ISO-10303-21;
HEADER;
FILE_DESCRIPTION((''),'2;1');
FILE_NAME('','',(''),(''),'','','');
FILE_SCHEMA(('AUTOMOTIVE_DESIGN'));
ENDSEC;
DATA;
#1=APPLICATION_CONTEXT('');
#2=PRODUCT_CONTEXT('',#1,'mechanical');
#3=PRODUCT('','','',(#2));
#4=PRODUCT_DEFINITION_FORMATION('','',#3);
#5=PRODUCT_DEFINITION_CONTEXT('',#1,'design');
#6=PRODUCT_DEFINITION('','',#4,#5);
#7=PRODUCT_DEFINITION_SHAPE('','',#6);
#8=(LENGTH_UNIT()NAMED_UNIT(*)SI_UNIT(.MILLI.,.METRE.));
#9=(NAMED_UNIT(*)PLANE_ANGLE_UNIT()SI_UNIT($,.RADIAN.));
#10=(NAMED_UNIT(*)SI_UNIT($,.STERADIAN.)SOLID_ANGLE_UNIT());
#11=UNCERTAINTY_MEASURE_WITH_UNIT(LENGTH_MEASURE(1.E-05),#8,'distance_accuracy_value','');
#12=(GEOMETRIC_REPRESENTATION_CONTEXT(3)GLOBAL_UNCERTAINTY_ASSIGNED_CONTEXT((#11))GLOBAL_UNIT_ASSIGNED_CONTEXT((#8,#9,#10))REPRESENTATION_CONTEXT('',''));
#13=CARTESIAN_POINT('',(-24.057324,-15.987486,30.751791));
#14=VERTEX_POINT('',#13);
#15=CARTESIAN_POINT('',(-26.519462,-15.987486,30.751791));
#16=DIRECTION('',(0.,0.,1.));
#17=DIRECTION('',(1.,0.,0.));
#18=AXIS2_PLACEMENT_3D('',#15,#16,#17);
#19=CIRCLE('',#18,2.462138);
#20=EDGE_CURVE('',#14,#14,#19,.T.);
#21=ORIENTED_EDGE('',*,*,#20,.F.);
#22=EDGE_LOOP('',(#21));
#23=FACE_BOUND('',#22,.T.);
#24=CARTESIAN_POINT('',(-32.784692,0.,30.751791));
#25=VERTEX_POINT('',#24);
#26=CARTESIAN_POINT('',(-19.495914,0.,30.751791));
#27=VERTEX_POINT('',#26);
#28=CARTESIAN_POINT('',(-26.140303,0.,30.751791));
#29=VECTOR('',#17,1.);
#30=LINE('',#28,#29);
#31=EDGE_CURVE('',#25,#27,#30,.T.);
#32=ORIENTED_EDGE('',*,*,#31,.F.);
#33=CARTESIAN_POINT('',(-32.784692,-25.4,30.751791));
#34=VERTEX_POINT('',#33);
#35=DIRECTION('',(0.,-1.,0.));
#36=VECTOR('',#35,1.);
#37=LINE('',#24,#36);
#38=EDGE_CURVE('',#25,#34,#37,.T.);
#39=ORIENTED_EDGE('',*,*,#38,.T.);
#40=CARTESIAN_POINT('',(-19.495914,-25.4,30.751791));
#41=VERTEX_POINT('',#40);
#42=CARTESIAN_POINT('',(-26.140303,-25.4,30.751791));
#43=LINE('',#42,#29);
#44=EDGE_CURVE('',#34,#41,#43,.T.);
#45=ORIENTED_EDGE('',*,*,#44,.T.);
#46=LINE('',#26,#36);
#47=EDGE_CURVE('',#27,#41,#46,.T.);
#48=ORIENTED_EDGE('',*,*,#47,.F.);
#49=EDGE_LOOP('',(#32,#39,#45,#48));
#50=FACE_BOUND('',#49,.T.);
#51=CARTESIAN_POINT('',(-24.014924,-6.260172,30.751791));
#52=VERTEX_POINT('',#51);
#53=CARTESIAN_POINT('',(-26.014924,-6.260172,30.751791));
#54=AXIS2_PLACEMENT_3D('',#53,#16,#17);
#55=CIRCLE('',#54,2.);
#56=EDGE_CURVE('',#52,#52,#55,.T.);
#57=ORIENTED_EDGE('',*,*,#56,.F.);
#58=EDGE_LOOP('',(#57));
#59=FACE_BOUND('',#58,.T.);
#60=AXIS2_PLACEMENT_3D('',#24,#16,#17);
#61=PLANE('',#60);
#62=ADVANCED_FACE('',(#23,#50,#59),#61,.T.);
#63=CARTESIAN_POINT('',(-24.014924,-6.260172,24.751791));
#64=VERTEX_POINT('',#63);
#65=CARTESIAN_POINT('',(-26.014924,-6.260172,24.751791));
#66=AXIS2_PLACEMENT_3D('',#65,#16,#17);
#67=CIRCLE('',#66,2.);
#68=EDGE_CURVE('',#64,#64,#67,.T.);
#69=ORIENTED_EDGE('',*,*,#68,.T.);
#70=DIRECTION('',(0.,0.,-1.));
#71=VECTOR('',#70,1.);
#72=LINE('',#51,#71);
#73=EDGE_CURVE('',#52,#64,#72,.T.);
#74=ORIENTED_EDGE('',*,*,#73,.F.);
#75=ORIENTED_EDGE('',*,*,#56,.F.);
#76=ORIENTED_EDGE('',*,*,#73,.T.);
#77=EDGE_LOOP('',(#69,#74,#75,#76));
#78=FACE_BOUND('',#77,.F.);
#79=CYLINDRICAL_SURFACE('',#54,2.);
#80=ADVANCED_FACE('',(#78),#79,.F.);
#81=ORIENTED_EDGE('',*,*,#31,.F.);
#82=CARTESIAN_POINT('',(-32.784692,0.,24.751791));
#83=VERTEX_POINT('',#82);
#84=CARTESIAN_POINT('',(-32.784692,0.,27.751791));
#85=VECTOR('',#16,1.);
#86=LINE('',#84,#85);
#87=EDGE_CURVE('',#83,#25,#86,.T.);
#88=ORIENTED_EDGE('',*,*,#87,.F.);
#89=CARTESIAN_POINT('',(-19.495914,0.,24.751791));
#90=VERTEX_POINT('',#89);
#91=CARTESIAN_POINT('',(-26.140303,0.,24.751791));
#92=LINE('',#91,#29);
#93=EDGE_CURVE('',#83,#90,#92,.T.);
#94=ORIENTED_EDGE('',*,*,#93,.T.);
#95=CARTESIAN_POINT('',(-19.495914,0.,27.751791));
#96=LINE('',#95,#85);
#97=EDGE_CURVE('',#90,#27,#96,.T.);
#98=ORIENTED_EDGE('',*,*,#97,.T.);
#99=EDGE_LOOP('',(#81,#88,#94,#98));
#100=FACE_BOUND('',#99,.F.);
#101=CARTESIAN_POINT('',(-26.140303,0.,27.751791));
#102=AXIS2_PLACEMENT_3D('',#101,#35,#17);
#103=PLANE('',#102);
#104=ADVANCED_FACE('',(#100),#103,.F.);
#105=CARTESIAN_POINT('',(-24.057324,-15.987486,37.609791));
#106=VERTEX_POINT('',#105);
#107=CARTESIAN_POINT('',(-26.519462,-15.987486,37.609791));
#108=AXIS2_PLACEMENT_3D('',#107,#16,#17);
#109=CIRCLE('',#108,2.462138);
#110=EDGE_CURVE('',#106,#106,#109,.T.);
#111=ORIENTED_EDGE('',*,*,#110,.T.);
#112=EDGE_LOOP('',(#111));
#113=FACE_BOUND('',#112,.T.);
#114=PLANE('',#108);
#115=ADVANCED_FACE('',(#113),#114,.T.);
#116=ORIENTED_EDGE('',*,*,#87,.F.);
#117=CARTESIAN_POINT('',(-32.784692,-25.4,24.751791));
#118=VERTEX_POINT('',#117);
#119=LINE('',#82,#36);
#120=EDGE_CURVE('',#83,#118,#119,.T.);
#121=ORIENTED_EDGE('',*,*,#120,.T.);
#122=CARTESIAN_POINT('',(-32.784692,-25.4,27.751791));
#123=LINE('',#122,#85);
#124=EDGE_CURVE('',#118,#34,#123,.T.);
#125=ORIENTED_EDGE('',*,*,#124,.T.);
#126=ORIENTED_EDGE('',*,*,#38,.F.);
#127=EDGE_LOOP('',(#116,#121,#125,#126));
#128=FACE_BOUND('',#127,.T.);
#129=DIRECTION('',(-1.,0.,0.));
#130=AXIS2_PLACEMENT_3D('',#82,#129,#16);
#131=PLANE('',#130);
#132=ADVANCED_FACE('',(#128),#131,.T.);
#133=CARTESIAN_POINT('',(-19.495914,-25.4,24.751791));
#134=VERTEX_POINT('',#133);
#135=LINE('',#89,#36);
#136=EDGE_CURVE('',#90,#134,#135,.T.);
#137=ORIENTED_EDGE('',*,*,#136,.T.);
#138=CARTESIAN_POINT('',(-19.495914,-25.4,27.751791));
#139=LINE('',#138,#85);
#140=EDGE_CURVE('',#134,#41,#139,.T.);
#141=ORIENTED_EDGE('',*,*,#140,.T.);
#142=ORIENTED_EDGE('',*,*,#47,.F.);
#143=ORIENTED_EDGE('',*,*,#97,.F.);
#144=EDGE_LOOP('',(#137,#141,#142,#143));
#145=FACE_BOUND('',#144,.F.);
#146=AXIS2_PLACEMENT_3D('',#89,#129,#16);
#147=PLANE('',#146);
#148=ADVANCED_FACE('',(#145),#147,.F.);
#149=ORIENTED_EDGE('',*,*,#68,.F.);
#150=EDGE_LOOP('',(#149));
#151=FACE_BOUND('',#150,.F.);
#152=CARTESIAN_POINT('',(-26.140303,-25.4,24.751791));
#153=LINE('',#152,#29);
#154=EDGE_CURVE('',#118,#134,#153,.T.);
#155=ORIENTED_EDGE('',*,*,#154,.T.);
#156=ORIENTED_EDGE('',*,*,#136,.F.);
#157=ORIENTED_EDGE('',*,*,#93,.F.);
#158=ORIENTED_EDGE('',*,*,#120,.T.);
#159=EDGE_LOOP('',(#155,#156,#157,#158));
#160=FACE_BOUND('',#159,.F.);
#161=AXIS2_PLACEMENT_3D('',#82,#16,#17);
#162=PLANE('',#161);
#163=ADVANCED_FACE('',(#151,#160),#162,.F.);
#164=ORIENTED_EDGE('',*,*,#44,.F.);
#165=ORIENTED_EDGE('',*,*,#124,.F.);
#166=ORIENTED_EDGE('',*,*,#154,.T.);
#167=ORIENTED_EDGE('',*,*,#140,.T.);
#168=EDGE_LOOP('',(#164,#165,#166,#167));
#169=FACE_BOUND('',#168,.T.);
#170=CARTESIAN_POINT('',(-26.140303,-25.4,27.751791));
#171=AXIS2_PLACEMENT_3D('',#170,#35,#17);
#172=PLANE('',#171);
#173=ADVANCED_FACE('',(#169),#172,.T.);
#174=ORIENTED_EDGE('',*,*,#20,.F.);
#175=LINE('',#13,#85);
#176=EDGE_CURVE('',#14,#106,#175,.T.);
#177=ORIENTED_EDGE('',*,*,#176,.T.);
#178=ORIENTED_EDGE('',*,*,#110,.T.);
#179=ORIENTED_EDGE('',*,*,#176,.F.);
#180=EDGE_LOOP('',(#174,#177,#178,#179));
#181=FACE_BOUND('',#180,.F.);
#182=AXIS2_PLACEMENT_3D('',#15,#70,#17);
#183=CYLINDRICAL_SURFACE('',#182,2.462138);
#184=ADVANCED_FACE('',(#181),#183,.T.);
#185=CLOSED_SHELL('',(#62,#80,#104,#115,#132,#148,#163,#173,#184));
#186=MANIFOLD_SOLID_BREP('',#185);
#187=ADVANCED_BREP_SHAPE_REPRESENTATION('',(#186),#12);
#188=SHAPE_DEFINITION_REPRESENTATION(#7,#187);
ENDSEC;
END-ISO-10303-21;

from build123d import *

# Parameters (mm, degrees)
F0_W     = 13.288778
F0_H     = 6
F1_DEPTH = 25.4
F2_R     = 2
F3_DEPTH = 25.4
F4_R     = 2.462138
F5_DEPTH = 6.858


with BuildPart() as f1:
    # F0 (on Front) → F1 (new body)
    with BuildSketch(Plane.XZ):
        with Locations((-26.140303, 27.751791)):
            Rectangle(F0_W, F0_H)
    extrude(amount=F1_DEPTH)

    # F2 (on face) → F3 (cut)
    with BuildSketch(Plane.XY.offset(30.751791)):
        with Locations((-26.014924, -6.260172)):
            Circle(F2_R)
    extrude(amount=-F3_DEPTH, mode=Mode.SUBTRACT)

    # F4 (on face) → F5 (join)
    with BuildSketch(Plane.XY.offset(30.751791)):
        with Locations((-26.519462, -15.987486)):
            Circle(F4_R)
    extrude(amount=F5_DEPTH)


solid = f1.part
